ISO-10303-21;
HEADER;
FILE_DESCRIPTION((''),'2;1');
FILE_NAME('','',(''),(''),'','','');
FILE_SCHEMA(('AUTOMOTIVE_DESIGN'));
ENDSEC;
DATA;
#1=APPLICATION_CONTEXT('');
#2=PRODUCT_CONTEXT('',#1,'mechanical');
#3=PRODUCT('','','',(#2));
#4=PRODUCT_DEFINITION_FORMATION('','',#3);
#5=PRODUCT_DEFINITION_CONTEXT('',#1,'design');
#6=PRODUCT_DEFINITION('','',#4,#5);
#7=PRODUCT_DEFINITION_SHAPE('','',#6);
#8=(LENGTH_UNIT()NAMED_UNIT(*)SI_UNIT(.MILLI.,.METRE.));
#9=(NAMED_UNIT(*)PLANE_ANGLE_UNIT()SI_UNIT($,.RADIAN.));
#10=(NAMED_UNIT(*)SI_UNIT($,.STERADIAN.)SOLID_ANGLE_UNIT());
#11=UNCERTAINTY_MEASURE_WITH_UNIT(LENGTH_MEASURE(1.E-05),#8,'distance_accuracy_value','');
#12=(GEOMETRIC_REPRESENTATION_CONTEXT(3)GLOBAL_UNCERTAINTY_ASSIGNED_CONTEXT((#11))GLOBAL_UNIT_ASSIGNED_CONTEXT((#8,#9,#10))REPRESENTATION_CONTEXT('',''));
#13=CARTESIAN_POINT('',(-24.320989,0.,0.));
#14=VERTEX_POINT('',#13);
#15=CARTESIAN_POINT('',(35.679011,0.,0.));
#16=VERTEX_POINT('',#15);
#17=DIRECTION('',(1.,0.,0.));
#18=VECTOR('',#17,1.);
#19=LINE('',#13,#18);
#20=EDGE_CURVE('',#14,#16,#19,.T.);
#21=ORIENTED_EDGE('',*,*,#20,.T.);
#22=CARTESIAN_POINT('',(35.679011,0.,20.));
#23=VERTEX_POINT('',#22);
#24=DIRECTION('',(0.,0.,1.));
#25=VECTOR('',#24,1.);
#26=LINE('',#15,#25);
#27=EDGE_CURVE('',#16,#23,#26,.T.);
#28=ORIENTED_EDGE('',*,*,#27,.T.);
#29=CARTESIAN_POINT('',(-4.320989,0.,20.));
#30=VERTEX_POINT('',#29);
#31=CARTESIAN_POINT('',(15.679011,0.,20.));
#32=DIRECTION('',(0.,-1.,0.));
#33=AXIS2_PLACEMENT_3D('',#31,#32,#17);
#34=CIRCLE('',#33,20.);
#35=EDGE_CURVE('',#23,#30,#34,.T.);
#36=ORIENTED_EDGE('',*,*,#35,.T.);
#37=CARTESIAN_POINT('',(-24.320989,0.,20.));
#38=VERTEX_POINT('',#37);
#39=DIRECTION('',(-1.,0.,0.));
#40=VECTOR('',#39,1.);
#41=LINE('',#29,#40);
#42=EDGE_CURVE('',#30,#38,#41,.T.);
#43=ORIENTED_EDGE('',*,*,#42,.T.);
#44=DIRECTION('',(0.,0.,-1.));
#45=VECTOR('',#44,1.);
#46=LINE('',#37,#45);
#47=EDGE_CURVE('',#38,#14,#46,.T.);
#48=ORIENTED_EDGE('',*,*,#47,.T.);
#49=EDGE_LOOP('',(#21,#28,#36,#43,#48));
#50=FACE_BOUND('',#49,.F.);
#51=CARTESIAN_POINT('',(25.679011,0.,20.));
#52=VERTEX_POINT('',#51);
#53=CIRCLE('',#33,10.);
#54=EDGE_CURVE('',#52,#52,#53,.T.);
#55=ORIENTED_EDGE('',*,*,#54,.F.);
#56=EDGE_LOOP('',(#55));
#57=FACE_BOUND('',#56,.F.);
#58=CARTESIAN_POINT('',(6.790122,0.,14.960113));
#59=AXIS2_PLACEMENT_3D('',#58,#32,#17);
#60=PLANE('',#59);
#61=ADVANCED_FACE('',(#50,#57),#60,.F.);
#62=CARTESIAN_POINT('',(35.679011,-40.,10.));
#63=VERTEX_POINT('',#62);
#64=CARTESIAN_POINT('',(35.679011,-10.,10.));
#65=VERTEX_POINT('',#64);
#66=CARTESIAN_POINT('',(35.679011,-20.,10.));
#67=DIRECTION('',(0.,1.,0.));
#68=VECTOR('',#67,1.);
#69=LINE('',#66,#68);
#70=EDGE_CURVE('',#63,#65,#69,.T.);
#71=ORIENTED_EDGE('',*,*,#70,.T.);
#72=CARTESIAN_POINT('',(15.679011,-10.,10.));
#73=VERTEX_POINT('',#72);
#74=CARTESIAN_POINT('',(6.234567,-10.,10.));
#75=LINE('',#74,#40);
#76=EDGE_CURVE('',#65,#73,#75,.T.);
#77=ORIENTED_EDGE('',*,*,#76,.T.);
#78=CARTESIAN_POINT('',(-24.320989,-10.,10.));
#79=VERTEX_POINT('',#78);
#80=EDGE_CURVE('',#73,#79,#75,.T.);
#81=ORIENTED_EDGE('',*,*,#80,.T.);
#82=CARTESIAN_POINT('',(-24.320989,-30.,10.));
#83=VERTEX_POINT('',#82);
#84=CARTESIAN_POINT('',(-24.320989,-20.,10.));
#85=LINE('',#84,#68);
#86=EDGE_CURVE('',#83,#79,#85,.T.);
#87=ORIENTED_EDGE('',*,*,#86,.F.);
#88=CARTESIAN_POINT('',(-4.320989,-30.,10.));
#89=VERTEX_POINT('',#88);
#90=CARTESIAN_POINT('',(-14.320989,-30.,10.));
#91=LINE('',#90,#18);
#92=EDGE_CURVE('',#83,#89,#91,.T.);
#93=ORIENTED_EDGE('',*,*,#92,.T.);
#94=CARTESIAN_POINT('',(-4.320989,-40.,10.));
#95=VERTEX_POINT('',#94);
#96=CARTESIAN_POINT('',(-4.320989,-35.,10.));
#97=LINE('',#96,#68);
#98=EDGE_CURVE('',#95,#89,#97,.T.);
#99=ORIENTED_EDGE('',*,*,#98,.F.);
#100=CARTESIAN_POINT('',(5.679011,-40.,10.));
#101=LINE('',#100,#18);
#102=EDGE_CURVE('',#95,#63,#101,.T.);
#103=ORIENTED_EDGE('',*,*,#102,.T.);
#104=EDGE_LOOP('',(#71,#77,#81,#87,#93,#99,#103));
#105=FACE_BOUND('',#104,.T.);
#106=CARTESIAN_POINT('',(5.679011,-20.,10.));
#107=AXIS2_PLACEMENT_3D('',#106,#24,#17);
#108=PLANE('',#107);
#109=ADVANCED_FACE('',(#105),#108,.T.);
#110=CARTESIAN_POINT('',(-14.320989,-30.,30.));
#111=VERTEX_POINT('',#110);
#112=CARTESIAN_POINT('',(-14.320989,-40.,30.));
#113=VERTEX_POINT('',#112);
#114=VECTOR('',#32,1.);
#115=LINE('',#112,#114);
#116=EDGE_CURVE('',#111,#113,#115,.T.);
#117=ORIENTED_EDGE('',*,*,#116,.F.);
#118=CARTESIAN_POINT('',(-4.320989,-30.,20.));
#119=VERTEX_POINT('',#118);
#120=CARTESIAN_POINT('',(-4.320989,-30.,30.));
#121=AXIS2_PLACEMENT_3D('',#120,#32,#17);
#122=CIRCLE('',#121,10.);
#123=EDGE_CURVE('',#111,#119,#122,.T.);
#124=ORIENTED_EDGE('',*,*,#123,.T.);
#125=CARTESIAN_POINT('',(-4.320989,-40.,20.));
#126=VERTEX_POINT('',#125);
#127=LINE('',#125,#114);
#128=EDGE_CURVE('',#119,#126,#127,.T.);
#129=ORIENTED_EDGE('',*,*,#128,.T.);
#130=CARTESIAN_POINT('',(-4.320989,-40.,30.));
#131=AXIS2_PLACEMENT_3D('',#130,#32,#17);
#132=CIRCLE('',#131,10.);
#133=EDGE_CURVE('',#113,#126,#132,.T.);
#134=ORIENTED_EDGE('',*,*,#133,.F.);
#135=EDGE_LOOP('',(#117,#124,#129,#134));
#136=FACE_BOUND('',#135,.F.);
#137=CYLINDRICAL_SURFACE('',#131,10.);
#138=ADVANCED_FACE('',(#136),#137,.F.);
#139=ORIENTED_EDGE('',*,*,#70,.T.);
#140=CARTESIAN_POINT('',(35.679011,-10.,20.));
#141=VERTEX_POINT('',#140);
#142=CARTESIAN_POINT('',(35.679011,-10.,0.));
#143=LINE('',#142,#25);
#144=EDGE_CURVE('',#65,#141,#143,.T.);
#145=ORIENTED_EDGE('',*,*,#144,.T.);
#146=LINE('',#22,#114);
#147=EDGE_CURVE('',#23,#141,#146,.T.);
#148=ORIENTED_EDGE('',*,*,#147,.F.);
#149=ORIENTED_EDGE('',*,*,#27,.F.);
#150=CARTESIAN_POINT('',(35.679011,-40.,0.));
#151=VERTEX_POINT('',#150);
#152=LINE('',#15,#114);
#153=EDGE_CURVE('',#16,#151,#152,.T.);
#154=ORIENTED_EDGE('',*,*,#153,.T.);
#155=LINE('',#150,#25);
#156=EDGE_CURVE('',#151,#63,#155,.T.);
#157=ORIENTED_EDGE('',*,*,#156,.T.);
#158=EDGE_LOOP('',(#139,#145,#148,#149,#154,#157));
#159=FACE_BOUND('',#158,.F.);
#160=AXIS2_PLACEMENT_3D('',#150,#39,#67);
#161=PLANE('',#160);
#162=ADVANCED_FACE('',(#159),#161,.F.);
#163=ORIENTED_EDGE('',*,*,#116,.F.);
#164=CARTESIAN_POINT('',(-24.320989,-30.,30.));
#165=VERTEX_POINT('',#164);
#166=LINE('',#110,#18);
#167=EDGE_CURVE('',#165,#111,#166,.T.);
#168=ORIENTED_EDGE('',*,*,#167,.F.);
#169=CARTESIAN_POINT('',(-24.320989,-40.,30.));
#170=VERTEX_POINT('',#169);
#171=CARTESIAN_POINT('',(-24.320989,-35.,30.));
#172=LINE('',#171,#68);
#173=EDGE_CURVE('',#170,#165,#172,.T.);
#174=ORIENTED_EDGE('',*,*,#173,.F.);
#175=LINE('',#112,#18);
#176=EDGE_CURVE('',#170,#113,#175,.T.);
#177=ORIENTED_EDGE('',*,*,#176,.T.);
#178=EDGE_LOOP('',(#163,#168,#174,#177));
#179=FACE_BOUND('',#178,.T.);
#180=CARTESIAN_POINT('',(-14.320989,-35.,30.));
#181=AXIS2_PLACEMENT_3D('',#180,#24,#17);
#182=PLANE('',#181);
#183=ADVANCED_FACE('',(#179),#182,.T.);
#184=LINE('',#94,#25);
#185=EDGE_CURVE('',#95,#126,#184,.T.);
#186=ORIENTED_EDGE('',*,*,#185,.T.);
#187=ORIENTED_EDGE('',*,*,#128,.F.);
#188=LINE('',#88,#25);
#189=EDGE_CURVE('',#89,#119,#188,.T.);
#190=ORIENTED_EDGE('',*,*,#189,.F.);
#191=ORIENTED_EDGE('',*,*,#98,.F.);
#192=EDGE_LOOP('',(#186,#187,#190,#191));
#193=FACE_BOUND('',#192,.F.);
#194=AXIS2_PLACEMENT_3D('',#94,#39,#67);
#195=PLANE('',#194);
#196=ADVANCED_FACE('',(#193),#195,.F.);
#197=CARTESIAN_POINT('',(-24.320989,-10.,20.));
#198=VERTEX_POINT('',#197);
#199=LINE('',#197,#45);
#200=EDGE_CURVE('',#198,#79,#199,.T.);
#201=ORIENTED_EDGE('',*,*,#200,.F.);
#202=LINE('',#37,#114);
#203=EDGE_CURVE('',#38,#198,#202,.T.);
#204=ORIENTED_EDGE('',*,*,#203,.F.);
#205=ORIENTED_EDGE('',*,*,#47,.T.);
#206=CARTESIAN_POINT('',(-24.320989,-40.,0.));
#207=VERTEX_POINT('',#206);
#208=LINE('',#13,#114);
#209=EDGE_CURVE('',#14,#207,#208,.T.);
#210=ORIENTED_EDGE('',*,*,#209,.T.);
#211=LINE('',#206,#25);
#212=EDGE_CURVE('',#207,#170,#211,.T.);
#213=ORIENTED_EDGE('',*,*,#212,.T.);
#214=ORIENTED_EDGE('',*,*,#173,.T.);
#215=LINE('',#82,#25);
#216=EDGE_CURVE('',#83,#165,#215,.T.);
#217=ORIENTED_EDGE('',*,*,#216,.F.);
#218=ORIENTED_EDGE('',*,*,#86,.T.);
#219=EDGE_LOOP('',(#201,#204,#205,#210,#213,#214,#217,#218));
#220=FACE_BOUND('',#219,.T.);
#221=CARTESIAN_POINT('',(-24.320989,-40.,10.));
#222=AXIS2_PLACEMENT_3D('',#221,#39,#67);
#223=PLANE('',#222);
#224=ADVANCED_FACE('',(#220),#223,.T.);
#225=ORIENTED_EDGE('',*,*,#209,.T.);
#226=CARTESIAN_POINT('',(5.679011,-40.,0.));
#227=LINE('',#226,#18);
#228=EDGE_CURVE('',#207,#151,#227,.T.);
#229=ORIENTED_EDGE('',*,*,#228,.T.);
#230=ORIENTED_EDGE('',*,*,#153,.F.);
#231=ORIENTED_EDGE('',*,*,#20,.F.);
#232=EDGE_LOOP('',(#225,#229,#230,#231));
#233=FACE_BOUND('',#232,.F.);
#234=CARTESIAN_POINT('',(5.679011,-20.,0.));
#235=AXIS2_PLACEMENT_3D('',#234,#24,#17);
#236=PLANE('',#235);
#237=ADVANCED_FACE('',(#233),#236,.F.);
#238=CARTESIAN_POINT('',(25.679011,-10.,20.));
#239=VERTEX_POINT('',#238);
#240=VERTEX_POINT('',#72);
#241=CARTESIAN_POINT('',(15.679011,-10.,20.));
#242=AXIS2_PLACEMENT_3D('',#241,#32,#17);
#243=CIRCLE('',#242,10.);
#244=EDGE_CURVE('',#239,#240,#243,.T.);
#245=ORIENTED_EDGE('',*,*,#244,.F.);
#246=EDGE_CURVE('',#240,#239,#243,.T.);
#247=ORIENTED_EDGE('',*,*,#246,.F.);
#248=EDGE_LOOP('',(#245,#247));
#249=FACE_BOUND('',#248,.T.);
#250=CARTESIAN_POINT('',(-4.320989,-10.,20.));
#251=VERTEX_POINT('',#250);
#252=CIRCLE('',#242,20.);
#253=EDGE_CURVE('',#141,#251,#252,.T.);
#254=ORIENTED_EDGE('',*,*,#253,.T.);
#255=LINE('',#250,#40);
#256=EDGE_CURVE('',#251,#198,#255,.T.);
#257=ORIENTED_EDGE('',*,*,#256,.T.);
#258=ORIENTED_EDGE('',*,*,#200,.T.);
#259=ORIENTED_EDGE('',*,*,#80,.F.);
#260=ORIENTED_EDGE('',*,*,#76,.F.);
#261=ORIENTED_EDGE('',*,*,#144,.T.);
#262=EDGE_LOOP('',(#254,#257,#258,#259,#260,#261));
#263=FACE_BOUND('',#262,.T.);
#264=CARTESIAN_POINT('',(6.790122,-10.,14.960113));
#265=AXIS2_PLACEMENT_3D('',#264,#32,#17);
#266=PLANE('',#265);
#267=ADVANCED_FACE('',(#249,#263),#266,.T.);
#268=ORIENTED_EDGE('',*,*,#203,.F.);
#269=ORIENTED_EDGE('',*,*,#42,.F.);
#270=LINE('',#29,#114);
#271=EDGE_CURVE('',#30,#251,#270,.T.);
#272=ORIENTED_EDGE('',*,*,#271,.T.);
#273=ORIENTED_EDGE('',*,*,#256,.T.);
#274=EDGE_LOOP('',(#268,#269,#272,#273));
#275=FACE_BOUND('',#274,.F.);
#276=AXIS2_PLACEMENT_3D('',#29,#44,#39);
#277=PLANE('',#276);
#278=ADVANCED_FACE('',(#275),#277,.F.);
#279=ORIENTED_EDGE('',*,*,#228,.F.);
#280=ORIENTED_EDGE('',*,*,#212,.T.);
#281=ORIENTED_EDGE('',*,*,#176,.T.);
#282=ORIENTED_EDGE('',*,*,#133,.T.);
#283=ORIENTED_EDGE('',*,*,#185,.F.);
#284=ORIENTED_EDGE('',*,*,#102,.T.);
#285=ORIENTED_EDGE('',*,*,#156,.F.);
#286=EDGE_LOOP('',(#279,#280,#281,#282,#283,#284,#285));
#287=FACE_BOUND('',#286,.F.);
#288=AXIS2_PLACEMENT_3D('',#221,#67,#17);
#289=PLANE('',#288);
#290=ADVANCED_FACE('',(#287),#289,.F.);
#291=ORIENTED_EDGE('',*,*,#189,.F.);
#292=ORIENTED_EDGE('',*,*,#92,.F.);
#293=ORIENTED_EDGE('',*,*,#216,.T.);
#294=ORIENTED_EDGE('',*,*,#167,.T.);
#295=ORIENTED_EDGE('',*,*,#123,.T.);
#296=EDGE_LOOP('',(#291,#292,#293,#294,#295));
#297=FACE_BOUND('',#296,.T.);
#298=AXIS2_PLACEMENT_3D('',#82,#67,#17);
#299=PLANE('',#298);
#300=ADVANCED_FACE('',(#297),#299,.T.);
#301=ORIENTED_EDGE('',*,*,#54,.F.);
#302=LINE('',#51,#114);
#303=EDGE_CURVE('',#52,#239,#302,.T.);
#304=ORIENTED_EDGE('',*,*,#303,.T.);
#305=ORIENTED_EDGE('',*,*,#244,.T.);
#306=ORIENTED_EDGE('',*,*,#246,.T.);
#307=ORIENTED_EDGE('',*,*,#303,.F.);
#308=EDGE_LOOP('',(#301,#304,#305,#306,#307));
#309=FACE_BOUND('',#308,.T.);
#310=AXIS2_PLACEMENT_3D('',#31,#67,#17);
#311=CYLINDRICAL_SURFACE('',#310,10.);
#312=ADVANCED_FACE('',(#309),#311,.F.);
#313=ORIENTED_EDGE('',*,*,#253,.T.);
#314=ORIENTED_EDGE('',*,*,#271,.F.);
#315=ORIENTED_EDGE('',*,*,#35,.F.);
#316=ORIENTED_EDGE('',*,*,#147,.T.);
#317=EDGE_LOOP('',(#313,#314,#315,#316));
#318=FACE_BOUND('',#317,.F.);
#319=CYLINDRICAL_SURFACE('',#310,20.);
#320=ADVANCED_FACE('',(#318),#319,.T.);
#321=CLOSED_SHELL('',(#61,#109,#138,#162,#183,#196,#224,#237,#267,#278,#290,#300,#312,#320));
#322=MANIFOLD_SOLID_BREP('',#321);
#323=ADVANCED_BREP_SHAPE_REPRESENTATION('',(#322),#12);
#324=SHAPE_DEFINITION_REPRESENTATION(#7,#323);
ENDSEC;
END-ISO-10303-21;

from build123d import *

# Parameters (mm, degrees)
F0_R     = 10
F1_DEPTH = 10
F2_W     = 60
F2_H     = 40
F3_DEPTH = 10
F4_W     = 20
F4_H     = 10
F5_DEPTH = 20
F6_R     = 10
F7_DEPTH = 10


with BuildPart() as f1:
    # F0 (on Front) → F1 (new body)
    with BuildSketch(Plane.XZ):
        with BuildLine():
            Line((-24.320989, 10), (-24.320989, 0))
            Line((-24.320989, 0), (35.679011, 0))
            Line((35.679011, 0), (35.679011, 10))
            Line((35.679011, 10), (35.679011, 20))
            ThreePointArc((35.679011, 20), (15.679011, 40), (-4.320989, 20))
            Line((-4.320989, 20), (-24.320989, 20))
            Line((-24.320989, 20), (-24.320989, 10))
        make_face()
        with Locations((15.679011, 20)):
            Circle(F0_R, mode=Mode.SUBTRACT)
    extrude(amount=F1_DEPTH)

    # F2 (on Top) → F3 (join)
    with BuildSketch(Plane.XY):
        with Locations((5.679011, -20)):
            Rectangle(F2_W, F2_H)
    extrude(amount=F3_DEPTH)

    # F4 (on face) → F5 (join)
    with BuildSketch(Plane.XY.offset(10)):
        with Locations((-14.320989, -35)):
            Rectangle(F4_W, F4_H)
    extrude(amount=F5_DEPTH)

    # F6 (on face) → F7 (cut)
    with BuildSketch(Plane.XZ.offset(40)):
        with Locations((-4.320989, 30)):
            Circle(F6_R)
    extrude(amount=-F7_DEPTH, mode=Mode.SUBTRACT)


solid = f1.part
